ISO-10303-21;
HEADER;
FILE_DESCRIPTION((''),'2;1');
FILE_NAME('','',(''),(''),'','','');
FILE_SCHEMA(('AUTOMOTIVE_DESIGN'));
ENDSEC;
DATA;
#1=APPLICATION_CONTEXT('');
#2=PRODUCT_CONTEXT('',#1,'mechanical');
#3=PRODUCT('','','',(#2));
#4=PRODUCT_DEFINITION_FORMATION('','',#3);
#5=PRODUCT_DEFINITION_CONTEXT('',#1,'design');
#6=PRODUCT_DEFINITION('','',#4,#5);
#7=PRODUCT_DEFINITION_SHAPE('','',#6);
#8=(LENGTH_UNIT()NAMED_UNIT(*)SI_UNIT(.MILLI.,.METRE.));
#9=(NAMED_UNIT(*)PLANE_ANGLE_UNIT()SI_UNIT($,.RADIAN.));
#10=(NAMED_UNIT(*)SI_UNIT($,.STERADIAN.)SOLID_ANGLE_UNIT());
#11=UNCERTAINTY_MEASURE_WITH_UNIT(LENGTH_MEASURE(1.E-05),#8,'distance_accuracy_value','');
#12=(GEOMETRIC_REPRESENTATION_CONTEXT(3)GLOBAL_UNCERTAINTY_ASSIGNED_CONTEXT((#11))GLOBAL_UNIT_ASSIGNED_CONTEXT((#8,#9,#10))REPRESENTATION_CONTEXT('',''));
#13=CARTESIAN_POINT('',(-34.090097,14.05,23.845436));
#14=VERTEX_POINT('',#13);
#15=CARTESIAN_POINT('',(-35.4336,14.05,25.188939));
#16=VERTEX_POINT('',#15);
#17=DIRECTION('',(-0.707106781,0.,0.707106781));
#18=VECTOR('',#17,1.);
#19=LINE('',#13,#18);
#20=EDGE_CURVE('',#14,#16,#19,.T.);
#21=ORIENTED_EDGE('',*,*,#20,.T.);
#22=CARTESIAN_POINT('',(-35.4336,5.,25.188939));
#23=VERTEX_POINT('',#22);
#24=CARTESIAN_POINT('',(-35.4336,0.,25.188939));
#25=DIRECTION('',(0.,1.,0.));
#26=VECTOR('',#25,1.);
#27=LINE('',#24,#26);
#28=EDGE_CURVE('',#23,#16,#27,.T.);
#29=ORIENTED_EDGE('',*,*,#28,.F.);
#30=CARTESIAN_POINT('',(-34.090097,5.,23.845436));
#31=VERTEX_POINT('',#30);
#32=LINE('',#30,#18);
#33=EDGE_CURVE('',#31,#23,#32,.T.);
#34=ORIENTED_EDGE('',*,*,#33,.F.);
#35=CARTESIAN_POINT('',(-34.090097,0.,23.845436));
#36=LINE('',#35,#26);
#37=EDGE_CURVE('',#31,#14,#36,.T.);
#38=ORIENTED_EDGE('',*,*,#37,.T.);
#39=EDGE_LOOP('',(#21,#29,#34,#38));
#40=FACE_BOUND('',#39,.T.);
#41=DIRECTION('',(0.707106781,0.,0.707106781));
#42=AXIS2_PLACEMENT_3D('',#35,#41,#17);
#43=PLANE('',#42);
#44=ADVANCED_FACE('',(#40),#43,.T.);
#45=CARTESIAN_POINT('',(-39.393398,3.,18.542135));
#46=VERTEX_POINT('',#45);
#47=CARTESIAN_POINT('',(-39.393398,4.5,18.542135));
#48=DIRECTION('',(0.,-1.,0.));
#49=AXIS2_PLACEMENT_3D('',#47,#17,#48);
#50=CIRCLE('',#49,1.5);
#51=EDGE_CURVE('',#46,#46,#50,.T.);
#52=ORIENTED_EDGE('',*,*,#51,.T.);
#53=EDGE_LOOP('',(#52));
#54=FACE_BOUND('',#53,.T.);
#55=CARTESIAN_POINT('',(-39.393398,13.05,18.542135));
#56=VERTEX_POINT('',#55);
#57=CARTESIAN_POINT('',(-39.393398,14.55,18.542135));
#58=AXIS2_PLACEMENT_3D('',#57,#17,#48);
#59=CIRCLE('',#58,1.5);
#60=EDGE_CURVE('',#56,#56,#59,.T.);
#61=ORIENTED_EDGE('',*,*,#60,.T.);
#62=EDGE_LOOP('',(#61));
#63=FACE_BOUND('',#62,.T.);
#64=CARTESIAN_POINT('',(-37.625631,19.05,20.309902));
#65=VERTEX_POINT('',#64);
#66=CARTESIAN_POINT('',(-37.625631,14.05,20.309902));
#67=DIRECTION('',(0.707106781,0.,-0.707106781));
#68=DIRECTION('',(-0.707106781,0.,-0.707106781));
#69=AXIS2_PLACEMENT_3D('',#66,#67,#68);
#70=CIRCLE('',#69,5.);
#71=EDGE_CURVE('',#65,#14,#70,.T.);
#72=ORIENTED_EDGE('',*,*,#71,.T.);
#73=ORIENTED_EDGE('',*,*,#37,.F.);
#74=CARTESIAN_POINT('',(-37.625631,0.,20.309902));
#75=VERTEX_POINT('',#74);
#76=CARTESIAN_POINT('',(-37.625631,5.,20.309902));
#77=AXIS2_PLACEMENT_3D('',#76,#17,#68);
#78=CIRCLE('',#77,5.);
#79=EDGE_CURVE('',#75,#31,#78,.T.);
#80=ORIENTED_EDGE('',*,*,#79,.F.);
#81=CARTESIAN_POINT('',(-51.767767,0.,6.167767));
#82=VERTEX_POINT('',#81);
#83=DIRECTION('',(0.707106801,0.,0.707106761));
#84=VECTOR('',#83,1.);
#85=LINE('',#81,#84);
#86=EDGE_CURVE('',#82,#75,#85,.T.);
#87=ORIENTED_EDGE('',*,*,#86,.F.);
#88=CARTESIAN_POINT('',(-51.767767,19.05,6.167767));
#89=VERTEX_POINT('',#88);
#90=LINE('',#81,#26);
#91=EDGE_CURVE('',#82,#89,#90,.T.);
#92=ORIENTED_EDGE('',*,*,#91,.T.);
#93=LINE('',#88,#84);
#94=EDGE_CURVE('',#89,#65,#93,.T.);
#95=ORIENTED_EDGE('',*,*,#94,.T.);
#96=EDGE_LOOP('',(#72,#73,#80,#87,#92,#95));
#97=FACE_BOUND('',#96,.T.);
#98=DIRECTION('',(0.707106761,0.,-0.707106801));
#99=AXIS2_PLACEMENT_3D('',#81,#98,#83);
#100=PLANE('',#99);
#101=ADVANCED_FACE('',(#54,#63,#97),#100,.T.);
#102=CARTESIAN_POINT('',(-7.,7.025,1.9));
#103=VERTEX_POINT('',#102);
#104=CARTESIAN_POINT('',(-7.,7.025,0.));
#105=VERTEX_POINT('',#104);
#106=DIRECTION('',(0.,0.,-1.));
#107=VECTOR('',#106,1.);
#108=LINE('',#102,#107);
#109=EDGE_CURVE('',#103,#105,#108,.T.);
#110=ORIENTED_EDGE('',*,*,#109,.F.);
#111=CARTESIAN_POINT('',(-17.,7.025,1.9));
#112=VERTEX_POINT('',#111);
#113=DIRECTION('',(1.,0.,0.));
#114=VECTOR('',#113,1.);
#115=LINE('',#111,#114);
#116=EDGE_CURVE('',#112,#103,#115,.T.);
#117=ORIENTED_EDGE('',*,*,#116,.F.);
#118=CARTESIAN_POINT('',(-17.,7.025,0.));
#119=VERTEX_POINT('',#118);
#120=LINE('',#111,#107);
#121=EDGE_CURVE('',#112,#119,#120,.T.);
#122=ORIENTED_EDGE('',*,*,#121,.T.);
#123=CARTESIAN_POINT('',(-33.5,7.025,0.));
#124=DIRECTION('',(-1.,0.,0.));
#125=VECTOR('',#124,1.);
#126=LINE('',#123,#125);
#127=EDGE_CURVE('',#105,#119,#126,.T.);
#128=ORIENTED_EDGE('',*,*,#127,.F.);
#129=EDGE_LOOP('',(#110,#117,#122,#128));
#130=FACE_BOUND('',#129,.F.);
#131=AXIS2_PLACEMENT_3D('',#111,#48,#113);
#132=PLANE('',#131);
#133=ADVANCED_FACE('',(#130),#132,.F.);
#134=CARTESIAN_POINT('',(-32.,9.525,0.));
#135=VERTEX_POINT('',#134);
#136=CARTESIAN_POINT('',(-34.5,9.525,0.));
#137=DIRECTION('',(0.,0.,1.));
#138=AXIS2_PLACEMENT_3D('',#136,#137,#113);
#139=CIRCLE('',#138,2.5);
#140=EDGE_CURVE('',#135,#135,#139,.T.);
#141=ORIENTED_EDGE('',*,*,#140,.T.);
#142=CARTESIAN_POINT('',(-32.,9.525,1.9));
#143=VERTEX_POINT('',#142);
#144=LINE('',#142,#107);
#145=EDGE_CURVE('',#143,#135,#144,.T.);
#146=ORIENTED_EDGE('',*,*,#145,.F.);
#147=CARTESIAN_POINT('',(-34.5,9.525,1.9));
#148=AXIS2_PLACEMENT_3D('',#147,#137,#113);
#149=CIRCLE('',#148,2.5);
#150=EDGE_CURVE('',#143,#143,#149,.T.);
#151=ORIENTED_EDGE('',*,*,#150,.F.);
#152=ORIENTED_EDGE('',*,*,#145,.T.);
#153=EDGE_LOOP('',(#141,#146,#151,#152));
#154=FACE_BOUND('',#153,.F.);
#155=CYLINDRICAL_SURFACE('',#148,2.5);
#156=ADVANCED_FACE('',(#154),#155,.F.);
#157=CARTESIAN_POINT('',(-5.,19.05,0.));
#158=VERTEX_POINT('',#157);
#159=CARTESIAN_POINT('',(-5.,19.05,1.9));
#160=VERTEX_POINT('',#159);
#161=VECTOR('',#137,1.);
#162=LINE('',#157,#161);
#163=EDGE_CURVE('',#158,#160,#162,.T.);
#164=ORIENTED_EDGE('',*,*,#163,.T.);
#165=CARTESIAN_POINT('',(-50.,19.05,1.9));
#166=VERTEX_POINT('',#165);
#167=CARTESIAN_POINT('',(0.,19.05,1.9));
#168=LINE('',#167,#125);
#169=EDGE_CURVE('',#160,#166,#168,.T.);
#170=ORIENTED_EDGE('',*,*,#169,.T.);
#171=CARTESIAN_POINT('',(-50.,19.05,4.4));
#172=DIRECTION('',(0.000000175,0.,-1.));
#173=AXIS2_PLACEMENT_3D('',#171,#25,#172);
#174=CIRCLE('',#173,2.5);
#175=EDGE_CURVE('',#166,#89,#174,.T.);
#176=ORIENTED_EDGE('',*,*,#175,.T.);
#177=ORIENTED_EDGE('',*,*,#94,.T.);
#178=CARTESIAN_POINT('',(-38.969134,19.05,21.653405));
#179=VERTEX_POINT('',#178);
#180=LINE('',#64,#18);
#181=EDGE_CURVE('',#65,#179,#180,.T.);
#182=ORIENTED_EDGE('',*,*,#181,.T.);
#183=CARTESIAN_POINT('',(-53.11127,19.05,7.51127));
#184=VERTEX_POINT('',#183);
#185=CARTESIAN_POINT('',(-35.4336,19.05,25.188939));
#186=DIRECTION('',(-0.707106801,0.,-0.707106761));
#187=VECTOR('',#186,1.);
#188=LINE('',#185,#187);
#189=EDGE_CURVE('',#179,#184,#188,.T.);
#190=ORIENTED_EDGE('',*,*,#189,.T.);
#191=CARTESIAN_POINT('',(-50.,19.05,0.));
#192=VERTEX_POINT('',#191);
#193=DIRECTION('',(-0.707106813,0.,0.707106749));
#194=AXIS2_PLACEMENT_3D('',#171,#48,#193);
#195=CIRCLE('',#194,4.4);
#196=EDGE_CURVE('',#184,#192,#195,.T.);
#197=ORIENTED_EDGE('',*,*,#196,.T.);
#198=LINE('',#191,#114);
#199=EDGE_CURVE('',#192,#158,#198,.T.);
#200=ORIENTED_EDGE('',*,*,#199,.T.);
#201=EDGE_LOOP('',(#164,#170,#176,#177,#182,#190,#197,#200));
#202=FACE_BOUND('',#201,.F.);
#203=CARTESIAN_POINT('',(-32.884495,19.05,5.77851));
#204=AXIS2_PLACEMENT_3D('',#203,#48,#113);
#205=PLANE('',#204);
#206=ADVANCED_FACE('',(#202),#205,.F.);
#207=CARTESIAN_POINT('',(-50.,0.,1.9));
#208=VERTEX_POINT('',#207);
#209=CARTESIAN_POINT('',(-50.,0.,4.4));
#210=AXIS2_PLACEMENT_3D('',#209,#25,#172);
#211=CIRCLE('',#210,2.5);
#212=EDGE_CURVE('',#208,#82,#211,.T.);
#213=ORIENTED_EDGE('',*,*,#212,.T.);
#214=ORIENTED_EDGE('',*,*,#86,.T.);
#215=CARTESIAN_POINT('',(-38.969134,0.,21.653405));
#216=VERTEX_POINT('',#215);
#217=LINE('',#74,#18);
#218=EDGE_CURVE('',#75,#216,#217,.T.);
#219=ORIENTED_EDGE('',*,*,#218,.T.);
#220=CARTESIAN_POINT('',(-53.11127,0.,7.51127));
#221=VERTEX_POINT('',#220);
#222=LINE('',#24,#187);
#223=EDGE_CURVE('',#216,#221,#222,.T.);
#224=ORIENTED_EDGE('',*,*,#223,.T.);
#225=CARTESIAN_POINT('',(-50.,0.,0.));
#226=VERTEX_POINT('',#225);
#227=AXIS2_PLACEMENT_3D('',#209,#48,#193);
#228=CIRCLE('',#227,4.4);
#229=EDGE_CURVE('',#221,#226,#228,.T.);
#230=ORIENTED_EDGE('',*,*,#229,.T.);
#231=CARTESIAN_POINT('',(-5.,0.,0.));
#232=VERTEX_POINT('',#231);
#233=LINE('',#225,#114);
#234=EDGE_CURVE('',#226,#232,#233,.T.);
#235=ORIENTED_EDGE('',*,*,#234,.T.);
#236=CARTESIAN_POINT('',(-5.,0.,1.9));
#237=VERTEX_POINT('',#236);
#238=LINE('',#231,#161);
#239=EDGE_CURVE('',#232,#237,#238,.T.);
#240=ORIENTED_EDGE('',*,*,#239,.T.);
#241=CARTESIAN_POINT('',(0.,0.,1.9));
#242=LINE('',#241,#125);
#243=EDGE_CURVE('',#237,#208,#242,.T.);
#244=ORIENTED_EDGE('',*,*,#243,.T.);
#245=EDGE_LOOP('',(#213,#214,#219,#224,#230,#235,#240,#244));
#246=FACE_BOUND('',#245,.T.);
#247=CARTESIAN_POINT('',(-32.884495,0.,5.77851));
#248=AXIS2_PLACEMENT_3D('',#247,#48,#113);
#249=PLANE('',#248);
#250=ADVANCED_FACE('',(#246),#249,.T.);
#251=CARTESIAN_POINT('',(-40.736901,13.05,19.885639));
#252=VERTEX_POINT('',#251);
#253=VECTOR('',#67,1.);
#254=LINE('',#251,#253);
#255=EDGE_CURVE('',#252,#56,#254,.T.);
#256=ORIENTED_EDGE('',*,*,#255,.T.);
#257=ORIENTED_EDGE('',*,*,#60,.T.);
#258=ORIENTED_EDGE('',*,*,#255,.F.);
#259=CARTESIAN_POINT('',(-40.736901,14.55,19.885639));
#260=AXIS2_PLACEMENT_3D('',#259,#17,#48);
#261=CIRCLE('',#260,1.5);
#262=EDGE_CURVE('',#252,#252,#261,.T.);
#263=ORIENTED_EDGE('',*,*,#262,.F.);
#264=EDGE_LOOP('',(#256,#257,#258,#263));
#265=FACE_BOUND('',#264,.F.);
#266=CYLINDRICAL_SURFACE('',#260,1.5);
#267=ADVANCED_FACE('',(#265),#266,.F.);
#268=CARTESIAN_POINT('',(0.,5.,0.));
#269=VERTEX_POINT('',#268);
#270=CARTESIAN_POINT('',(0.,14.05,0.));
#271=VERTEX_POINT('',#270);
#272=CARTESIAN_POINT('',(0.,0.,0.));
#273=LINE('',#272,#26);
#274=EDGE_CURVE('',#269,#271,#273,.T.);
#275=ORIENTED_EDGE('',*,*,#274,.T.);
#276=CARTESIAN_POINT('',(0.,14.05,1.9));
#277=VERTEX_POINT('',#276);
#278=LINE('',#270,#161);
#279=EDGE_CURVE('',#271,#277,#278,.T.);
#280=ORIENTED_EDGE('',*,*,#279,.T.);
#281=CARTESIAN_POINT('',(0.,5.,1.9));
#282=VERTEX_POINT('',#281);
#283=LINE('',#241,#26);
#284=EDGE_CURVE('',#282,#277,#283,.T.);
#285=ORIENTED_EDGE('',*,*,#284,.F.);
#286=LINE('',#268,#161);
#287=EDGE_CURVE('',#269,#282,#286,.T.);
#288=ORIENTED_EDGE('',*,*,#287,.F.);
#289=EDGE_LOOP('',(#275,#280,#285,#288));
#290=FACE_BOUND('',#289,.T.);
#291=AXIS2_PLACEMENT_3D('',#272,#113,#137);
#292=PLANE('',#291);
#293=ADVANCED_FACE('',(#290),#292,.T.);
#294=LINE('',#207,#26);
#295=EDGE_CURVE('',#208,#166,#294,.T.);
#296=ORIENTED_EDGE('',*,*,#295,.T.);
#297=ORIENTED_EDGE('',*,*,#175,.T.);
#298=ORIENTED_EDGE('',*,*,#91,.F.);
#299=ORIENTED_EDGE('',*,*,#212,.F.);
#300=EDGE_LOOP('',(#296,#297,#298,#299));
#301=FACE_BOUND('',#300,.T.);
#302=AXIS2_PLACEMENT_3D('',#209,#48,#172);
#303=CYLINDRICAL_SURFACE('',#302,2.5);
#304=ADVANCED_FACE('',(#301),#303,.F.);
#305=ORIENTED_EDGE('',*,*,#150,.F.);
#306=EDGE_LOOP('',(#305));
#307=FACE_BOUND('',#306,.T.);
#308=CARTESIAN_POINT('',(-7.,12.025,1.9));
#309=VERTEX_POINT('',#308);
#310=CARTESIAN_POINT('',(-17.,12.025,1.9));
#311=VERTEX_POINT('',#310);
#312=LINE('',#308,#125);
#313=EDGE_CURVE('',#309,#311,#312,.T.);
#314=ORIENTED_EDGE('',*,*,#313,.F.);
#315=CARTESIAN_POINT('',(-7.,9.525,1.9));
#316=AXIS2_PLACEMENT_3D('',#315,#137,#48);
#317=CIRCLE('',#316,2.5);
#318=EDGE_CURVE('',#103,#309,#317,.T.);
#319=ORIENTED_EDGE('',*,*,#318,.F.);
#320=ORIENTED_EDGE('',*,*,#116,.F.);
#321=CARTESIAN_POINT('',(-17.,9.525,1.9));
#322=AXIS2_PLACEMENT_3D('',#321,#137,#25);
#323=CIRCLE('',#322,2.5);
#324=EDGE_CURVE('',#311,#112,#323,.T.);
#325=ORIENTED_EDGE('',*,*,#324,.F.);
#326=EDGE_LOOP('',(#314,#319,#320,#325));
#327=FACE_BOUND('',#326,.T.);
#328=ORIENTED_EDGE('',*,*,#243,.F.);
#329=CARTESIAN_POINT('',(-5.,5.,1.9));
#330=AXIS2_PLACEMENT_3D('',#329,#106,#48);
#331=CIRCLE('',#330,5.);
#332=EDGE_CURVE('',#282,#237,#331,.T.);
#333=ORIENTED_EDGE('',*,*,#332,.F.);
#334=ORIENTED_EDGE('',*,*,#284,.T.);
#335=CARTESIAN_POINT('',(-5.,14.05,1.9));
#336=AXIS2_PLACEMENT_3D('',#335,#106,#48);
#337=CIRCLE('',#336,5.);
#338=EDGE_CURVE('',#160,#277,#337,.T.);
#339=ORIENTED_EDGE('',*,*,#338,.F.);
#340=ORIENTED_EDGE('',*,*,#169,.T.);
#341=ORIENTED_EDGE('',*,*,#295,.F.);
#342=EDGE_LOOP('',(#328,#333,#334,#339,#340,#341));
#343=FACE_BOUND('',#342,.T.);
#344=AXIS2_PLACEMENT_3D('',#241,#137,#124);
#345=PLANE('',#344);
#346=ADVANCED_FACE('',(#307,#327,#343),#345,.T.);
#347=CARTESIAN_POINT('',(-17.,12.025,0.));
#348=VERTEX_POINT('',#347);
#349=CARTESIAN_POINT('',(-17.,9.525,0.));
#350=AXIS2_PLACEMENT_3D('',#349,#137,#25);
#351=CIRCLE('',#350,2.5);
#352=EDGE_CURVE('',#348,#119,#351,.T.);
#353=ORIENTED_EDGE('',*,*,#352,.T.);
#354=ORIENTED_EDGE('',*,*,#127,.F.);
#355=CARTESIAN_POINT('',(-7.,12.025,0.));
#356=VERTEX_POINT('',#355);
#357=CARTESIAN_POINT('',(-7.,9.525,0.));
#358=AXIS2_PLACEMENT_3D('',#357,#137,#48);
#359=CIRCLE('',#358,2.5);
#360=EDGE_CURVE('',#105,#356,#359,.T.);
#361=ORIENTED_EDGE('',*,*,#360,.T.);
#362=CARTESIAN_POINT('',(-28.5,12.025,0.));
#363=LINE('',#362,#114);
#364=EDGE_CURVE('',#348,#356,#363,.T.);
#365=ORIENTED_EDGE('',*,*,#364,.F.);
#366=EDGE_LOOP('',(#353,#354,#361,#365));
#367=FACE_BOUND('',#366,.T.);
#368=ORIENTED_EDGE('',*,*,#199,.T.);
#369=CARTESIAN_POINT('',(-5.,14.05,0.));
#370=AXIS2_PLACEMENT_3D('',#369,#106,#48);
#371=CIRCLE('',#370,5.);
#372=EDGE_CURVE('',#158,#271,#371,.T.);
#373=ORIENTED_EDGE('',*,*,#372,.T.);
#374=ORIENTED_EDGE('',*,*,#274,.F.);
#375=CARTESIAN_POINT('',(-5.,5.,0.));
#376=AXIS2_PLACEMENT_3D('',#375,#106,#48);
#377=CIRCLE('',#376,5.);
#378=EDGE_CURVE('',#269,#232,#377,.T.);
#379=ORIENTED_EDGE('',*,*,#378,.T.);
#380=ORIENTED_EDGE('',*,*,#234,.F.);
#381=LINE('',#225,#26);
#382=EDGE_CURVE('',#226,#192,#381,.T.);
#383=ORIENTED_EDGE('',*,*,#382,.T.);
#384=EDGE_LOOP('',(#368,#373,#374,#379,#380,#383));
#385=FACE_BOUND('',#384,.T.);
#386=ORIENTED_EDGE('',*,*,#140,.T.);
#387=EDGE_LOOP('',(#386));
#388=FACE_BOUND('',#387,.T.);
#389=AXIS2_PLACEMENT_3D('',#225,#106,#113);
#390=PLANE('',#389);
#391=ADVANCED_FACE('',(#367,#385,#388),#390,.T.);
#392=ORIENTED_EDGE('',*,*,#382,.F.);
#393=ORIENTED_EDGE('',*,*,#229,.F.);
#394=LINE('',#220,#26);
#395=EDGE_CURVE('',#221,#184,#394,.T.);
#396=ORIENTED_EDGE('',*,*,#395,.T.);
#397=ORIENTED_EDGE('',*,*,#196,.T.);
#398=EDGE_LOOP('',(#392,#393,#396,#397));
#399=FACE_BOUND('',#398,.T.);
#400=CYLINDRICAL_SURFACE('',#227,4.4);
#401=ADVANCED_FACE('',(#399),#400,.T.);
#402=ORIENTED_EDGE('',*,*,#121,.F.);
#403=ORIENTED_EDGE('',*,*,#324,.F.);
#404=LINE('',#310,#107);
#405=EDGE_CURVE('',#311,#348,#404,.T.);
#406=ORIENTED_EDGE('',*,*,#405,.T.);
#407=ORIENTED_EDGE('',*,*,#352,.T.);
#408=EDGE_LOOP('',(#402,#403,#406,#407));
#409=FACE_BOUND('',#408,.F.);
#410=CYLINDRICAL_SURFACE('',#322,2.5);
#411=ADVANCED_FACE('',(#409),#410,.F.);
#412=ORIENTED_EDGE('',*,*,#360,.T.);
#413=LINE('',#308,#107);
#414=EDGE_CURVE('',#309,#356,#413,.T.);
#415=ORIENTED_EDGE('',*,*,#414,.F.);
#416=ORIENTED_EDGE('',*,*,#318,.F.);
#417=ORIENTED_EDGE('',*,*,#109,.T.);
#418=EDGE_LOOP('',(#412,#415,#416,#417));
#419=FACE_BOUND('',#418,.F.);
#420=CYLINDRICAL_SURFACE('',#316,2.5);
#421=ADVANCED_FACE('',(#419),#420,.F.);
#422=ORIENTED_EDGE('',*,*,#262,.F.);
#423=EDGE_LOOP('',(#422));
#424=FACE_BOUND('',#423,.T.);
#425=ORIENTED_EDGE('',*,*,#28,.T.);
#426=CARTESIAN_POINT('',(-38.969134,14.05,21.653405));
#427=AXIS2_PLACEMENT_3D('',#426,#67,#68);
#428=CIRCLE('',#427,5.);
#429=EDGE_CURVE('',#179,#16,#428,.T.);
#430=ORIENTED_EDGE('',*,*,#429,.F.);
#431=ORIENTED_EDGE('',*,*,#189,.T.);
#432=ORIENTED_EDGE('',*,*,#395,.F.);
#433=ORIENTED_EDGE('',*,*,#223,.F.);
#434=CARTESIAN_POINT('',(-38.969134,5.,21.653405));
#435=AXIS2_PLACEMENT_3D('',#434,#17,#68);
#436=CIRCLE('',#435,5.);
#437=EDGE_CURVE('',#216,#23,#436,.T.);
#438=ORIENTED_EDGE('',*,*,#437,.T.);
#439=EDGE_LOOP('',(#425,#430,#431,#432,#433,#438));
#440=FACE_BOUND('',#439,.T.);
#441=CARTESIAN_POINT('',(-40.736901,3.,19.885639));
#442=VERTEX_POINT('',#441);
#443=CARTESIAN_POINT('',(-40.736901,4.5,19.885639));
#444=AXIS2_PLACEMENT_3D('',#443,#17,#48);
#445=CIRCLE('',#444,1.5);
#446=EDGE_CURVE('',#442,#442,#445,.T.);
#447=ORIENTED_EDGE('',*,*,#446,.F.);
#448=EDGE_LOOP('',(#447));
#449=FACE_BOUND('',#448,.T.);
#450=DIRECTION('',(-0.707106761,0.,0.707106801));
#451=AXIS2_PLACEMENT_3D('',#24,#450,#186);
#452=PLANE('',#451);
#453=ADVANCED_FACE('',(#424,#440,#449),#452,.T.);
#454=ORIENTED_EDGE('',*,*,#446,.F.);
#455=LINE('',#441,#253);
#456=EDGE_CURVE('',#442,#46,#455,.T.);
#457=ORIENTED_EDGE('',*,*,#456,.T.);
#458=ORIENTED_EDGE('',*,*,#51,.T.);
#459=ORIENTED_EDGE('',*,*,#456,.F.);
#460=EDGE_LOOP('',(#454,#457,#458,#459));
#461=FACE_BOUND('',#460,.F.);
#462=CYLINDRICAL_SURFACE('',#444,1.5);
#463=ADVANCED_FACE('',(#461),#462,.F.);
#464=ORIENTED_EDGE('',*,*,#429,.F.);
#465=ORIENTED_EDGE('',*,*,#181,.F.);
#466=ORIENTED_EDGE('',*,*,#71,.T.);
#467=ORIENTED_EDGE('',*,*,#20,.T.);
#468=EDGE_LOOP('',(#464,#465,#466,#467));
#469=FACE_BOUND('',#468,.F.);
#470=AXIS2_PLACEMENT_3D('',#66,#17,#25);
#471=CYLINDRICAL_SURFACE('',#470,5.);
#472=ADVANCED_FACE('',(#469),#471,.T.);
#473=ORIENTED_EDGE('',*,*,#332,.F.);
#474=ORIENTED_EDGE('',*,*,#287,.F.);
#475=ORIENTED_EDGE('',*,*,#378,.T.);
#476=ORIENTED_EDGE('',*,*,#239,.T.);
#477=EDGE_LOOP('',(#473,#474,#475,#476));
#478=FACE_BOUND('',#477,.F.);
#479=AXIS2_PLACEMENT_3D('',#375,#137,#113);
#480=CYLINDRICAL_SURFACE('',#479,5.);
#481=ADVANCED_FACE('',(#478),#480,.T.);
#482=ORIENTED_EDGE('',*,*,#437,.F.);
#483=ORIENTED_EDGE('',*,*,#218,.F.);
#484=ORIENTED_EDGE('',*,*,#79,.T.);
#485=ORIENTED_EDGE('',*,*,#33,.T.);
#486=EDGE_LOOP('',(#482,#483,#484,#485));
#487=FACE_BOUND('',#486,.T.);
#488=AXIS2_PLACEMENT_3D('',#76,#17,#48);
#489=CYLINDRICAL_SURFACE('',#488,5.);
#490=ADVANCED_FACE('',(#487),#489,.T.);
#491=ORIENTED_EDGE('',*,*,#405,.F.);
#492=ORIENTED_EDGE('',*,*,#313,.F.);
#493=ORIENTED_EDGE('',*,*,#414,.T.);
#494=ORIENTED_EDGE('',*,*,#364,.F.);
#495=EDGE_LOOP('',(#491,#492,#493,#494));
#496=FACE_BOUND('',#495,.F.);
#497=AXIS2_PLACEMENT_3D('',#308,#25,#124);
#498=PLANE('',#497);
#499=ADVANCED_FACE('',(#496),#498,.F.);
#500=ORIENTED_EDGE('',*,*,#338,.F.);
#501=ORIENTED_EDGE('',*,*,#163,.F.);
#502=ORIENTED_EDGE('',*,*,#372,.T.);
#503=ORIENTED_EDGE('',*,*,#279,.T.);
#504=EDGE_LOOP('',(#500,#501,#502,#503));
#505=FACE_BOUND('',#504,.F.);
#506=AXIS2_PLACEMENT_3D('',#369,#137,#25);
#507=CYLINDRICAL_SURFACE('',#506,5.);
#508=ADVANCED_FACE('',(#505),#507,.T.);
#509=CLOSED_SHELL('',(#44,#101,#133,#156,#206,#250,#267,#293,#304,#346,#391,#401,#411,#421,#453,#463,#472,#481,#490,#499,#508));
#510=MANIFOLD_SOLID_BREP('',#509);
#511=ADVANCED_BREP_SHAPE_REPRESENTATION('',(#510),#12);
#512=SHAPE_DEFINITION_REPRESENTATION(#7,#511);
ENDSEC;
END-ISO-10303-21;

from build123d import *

# Parameters (mm, degrees)
F1_DEPTH = 19.05
F2_R     = 2.5
F3_DEPTH = 25
F4_R     = 1.5
F5_DEPTH = 7.9
F6_R     = 5
F7_R     = 5


with BuildPart() as f1:
    # F0 (on Front) → F1 (new body)
    with BuildSketch(Plane.XZ):
        with BuildLine():
            Line((-50, 0), (0, 0))
            Line((0, 0), (0, 1.9))
            Line((0, 1.9), (-50, 1.9))
            ThreePointArc((-50, 1.9), (-52.309699, 3.443291), (-51.767767, 6.167767))
            Line((-51.767767, 6.167767), (-34.090097, 23.845436))
            Line((-34.090097, 23.845436), (-35.4336, 25.188939))
            Line((-35.4336, 25.188939), (-53.11127, 7.51127))
            ThreePointArc((-53.11127, 7.51127), (-54.06507, 2.716193), (-50, 0))
        make_face()
    extrude(amount=-F1_DEPTH)

    # F2 (on face) → F3 (cut)
    with BuildSketch(Plane.XY.offset(1.9)):
        with BuildLine():
            Line((-17, 7.025), (-7, 7.025))
            ThreePointArc((-7, 7.025), (-4.5, 9.525), (-7, 12.025))
            Line((-7, 12.025), (-17, 12.025))
            ThreePointArc((-17, 12.025), (-19.5, 9.525), (-17, 7.025))
        make_face()
        with Locations((-34.5, 9.525)):
            Circle(F2_R)
    extrude(amount=-F3_DEPTH, mode=Mode.SUBTRACT)

    # F4 (on face) → F5 (cut)
    with BuildSketch(Plane(origin=(-30.31127, 0, 30.31127), x_dir=(0, -1, 0), z_dir=(-0.707107, 0, 0.707107))):
        with Locations((-4.5, -14.744069)):
            Circle(F4_R)
        with Locations((-14.55, -14.744069)):
            Circle(F4_R)
    extrude(amount=-F5_DEPTH, mode=Mode.SUBTRACT)

    # F6
    f6_edges = [f1.edges().sort_by_distance(p)[0] for p in [
        (0, 19.05, 0.95),
    ]]
    fillet(f6_edges, radius=F6_R)

    # F7
    f7_edges = [f1.edges().sort_by_distance(p)[0] for p in [
        (0, 0, 0.95),
        (-34.761849, 0, 24.517188),
        (-34.761849, 19.05, 24.517188),
    ]]
    fillet(f7_edges, radius=F7_R)


solid = f1.part
